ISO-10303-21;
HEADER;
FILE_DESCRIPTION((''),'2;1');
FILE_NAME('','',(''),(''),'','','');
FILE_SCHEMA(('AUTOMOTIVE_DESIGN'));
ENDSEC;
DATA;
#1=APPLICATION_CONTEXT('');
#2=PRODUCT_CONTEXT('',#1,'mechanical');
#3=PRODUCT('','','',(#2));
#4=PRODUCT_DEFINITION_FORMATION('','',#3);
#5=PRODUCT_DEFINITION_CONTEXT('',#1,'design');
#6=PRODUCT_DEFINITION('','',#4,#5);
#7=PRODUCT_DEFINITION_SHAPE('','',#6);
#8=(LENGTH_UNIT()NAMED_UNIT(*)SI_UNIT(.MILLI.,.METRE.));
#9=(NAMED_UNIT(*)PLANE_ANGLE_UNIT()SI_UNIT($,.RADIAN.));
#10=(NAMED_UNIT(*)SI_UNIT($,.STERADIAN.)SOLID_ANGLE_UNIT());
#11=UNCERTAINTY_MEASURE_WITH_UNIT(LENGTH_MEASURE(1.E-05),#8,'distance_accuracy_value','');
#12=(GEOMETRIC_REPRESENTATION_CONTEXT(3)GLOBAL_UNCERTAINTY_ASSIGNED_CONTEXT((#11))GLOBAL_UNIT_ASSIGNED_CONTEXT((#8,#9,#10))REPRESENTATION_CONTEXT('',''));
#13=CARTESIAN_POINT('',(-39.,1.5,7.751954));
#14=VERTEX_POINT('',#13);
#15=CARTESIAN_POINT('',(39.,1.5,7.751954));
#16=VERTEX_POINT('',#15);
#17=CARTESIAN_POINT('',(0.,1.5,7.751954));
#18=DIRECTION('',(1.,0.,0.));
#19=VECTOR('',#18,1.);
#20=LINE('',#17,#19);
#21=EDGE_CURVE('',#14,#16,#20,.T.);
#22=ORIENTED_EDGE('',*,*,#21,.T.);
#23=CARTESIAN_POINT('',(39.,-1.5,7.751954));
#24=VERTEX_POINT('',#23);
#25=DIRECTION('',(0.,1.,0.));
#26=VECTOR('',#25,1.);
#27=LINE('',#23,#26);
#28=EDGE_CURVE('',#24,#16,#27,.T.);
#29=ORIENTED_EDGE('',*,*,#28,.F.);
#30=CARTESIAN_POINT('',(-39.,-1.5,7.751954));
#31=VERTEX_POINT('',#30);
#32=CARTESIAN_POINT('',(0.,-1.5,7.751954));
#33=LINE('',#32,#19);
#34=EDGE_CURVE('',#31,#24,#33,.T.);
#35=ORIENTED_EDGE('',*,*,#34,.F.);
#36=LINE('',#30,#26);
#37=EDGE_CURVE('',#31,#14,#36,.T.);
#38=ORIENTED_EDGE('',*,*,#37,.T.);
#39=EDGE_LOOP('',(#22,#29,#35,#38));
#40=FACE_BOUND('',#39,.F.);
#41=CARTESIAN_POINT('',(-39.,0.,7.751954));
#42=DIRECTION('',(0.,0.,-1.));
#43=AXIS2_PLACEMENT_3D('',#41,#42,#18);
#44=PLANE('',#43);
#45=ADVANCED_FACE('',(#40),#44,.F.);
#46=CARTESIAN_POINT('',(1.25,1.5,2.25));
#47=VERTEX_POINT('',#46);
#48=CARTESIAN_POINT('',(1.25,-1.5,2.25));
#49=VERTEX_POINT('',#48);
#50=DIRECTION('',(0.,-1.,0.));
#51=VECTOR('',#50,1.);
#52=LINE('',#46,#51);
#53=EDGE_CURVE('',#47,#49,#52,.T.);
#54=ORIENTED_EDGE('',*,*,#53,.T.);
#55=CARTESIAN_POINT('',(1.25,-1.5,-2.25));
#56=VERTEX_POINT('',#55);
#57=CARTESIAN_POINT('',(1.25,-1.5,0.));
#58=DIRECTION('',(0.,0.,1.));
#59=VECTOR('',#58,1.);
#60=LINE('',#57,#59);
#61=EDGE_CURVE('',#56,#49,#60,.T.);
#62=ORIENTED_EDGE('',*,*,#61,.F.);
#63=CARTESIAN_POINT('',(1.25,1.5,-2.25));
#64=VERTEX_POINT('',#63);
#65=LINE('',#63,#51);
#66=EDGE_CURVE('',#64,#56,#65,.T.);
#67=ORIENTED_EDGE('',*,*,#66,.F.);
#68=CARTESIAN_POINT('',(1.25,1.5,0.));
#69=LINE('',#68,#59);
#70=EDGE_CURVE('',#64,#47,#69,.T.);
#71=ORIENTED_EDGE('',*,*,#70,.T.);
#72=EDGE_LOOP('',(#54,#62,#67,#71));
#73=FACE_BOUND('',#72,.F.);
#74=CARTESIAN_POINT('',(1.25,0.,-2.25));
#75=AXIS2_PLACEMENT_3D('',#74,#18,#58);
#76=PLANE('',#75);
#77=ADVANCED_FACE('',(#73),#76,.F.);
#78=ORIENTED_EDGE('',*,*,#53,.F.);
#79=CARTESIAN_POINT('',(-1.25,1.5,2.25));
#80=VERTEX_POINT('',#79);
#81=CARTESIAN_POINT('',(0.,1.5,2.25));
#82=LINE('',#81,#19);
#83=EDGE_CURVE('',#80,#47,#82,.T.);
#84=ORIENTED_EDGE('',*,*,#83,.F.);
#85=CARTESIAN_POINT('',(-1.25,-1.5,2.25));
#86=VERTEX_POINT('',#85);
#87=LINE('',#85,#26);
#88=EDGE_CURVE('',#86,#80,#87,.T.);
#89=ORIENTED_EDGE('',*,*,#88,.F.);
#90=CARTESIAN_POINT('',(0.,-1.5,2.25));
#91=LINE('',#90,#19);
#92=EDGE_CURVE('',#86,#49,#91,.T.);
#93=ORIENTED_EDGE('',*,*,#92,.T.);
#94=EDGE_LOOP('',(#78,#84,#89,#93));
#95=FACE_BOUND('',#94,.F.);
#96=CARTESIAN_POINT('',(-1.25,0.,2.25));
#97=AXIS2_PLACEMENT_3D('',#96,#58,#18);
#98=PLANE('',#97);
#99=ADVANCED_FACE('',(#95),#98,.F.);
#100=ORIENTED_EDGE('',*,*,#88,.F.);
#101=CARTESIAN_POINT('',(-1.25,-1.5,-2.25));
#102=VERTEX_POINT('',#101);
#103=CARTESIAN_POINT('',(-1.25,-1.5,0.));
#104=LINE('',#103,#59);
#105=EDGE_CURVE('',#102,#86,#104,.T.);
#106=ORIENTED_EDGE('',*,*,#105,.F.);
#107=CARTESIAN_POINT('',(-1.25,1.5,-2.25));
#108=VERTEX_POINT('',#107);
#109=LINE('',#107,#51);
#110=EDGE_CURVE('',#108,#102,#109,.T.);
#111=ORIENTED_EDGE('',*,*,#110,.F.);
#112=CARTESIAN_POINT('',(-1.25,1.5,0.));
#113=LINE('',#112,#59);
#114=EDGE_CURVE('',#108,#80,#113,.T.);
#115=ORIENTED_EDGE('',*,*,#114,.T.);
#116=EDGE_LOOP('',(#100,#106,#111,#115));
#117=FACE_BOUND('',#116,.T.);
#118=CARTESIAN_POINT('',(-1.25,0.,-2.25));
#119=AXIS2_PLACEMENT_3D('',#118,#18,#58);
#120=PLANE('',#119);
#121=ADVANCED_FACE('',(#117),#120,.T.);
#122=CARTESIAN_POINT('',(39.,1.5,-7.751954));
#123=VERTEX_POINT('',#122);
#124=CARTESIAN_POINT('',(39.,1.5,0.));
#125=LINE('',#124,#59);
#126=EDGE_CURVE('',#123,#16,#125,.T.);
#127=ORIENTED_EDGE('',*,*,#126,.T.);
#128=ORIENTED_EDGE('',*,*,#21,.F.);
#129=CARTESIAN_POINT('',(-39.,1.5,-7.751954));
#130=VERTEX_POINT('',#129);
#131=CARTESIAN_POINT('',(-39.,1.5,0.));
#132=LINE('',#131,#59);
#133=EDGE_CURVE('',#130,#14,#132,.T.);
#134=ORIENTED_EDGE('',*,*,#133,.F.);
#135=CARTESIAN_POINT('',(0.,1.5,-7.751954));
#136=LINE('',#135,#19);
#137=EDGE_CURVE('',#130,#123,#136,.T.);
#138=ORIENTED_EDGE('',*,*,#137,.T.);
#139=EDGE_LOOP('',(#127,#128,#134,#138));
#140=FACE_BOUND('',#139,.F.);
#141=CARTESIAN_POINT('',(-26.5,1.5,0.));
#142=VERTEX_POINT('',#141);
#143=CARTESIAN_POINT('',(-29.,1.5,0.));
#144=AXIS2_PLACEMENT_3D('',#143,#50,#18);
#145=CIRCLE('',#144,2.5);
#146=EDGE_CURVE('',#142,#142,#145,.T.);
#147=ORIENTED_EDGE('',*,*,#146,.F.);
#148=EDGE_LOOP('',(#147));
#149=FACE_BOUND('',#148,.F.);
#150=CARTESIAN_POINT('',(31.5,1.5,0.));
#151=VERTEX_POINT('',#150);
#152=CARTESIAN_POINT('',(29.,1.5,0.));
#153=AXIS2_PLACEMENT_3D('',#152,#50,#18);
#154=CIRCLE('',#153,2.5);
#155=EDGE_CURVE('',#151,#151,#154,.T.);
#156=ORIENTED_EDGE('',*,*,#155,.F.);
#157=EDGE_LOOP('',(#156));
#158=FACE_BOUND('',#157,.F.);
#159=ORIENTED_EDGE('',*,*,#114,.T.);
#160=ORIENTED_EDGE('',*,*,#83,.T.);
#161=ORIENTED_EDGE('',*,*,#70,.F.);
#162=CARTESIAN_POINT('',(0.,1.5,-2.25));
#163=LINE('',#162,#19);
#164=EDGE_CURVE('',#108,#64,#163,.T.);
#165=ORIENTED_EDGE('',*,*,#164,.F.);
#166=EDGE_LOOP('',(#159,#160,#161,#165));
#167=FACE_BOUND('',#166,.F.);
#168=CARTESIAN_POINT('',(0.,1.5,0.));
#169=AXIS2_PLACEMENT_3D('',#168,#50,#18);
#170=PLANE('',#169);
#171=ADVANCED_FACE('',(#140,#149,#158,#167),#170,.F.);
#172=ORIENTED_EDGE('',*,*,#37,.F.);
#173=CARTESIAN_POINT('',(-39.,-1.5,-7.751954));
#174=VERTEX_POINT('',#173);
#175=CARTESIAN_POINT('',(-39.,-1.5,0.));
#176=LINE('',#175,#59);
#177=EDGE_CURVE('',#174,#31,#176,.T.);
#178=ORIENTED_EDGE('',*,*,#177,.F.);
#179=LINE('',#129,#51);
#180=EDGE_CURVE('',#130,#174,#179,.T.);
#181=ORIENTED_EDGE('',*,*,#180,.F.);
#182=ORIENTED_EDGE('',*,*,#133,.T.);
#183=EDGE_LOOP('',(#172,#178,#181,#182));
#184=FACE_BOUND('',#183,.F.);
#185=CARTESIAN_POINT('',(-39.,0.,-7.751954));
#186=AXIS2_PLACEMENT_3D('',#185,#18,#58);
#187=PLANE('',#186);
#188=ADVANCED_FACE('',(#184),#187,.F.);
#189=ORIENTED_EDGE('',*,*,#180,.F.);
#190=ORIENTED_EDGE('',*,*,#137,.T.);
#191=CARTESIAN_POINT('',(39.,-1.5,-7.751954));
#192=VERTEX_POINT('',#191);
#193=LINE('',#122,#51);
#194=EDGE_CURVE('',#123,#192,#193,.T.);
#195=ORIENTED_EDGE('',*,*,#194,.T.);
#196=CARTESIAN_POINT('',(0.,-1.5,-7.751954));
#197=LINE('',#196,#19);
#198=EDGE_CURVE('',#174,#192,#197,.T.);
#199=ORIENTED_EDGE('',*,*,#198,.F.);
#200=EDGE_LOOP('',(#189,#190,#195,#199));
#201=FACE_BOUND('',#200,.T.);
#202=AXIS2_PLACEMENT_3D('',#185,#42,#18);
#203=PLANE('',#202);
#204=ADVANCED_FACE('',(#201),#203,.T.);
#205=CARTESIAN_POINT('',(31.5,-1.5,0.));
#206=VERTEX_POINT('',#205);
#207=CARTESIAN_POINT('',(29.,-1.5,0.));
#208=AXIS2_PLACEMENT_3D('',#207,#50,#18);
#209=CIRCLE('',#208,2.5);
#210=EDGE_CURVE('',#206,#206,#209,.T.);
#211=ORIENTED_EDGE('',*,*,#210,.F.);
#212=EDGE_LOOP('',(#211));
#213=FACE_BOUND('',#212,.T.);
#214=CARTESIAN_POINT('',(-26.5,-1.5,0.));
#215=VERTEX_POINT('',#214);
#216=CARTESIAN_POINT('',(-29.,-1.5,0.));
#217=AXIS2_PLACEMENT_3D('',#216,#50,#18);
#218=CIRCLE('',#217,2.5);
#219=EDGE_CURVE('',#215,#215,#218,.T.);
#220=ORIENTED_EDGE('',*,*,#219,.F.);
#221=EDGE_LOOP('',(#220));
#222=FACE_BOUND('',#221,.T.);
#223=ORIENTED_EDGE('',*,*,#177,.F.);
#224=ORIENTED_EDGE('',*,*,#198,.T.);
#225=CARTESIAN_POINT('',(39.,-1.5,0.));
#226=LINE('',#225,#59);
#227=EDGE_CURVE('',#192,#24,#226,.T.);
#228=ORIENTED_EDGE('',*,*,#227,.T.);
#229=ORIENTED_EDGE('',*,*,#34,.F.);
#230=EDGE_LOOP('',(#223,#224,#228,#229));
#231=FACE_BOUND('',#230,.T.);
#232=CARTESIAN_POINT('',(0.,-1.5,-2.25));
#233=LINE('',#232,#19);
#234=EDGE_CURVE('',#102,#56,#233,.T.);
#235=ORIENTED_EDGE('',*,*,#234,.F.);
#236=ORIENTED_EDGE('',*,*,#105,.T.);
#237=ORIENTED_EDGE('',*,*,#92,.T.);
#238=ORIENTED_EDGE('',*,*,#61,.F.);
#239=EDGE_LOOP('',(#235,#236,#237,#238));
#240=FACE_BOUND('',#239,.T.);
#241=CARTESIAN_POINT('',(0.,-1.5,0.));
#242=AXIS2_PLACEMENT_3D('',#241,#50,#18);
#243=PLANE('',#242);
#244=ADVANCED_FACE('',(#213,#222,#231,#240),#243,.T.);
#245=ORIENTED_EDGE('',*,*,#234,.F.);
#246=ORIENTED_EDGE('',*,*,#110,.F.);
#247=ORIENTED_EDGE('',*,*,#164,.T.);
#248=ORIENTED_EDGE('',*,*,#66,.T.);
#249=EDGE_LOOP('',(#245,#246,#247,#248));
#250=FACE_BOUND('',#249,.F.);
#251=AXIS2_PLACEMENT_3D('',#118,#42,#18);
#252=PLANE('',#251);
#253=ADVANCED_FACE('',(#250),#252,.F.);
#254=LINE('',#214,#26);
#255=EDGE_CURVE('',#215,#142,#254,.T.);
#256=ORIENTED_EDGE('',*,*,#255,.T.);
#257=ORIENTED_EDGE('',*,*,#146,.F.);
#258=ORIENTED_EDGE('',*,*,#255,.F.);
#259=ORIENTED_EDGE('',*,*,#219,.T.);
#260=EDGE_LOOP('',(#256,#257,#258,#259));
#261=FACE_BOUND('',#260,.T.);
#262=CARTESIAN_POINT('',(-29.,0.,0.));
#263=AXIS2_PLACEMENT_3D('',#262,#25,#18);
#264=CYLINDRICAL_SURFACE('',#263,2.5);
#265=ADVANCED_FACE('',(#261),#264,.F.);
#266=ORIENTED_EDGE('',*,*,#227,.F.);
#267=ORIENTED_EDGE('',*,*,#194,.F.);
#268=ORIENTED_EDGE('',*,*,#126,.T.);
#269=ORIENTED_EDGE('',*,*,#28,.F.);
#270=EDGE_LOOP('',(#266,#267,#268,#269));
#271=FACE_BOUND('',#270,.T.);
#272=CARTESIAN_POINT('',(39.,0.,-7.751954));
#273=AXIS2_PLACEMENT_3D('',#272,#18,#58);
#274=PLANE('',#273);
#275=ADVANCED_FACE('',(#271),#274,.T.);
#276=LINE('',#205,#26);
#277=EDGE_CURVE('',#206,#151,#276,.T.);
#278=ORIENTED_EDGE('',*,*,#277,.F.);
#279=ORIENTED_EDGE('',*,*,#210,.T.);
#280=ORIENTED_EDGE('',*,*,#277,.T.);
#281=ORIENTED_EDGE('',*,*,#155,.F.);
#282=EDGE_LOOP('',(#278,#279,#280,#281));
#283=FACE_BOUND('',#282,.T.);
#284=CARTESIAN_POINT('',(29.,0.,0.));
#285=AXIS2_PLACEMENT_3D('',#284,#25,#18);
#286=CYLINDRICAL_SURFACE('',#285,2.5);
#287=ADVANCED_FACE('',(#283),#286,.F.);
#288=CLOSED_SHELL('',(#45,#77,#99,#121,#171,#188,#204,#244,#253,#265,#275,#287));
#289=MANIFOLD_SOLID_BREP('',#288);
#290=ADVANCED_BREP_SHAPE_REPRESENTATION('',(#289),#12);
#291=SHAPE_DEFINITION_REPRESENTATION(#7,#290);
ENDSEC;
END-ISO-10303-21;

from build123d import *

# Parameters (mm, degrees)
F0_W     = 78
F0_H     = 15.503908
F0_R     = 2.5
F0_W_2   = 2.5
F0_H_2   = 4.5
F1_DEPTH = 1.5


with BuildPart() as f1:
    # F0 (on Front) → F1 (new body, symmetric)
    with BuildSketch(Plane.XZ):
        Rectangle(F0_W, F0_H)
        with Locations((-29, 0)):
            Circle(F0_R, mode=Mode.SUBTRACT)
        Rectangle(F0_W_2, F0_H_2, mode=Mode.SUBTRACT)
        with Locations((29, 0)):
            Circle(F0_R, mode=Mode.SUBTRACT)
    extrude(amount=F1_DEPTH, both=True)


solid = f1.part
